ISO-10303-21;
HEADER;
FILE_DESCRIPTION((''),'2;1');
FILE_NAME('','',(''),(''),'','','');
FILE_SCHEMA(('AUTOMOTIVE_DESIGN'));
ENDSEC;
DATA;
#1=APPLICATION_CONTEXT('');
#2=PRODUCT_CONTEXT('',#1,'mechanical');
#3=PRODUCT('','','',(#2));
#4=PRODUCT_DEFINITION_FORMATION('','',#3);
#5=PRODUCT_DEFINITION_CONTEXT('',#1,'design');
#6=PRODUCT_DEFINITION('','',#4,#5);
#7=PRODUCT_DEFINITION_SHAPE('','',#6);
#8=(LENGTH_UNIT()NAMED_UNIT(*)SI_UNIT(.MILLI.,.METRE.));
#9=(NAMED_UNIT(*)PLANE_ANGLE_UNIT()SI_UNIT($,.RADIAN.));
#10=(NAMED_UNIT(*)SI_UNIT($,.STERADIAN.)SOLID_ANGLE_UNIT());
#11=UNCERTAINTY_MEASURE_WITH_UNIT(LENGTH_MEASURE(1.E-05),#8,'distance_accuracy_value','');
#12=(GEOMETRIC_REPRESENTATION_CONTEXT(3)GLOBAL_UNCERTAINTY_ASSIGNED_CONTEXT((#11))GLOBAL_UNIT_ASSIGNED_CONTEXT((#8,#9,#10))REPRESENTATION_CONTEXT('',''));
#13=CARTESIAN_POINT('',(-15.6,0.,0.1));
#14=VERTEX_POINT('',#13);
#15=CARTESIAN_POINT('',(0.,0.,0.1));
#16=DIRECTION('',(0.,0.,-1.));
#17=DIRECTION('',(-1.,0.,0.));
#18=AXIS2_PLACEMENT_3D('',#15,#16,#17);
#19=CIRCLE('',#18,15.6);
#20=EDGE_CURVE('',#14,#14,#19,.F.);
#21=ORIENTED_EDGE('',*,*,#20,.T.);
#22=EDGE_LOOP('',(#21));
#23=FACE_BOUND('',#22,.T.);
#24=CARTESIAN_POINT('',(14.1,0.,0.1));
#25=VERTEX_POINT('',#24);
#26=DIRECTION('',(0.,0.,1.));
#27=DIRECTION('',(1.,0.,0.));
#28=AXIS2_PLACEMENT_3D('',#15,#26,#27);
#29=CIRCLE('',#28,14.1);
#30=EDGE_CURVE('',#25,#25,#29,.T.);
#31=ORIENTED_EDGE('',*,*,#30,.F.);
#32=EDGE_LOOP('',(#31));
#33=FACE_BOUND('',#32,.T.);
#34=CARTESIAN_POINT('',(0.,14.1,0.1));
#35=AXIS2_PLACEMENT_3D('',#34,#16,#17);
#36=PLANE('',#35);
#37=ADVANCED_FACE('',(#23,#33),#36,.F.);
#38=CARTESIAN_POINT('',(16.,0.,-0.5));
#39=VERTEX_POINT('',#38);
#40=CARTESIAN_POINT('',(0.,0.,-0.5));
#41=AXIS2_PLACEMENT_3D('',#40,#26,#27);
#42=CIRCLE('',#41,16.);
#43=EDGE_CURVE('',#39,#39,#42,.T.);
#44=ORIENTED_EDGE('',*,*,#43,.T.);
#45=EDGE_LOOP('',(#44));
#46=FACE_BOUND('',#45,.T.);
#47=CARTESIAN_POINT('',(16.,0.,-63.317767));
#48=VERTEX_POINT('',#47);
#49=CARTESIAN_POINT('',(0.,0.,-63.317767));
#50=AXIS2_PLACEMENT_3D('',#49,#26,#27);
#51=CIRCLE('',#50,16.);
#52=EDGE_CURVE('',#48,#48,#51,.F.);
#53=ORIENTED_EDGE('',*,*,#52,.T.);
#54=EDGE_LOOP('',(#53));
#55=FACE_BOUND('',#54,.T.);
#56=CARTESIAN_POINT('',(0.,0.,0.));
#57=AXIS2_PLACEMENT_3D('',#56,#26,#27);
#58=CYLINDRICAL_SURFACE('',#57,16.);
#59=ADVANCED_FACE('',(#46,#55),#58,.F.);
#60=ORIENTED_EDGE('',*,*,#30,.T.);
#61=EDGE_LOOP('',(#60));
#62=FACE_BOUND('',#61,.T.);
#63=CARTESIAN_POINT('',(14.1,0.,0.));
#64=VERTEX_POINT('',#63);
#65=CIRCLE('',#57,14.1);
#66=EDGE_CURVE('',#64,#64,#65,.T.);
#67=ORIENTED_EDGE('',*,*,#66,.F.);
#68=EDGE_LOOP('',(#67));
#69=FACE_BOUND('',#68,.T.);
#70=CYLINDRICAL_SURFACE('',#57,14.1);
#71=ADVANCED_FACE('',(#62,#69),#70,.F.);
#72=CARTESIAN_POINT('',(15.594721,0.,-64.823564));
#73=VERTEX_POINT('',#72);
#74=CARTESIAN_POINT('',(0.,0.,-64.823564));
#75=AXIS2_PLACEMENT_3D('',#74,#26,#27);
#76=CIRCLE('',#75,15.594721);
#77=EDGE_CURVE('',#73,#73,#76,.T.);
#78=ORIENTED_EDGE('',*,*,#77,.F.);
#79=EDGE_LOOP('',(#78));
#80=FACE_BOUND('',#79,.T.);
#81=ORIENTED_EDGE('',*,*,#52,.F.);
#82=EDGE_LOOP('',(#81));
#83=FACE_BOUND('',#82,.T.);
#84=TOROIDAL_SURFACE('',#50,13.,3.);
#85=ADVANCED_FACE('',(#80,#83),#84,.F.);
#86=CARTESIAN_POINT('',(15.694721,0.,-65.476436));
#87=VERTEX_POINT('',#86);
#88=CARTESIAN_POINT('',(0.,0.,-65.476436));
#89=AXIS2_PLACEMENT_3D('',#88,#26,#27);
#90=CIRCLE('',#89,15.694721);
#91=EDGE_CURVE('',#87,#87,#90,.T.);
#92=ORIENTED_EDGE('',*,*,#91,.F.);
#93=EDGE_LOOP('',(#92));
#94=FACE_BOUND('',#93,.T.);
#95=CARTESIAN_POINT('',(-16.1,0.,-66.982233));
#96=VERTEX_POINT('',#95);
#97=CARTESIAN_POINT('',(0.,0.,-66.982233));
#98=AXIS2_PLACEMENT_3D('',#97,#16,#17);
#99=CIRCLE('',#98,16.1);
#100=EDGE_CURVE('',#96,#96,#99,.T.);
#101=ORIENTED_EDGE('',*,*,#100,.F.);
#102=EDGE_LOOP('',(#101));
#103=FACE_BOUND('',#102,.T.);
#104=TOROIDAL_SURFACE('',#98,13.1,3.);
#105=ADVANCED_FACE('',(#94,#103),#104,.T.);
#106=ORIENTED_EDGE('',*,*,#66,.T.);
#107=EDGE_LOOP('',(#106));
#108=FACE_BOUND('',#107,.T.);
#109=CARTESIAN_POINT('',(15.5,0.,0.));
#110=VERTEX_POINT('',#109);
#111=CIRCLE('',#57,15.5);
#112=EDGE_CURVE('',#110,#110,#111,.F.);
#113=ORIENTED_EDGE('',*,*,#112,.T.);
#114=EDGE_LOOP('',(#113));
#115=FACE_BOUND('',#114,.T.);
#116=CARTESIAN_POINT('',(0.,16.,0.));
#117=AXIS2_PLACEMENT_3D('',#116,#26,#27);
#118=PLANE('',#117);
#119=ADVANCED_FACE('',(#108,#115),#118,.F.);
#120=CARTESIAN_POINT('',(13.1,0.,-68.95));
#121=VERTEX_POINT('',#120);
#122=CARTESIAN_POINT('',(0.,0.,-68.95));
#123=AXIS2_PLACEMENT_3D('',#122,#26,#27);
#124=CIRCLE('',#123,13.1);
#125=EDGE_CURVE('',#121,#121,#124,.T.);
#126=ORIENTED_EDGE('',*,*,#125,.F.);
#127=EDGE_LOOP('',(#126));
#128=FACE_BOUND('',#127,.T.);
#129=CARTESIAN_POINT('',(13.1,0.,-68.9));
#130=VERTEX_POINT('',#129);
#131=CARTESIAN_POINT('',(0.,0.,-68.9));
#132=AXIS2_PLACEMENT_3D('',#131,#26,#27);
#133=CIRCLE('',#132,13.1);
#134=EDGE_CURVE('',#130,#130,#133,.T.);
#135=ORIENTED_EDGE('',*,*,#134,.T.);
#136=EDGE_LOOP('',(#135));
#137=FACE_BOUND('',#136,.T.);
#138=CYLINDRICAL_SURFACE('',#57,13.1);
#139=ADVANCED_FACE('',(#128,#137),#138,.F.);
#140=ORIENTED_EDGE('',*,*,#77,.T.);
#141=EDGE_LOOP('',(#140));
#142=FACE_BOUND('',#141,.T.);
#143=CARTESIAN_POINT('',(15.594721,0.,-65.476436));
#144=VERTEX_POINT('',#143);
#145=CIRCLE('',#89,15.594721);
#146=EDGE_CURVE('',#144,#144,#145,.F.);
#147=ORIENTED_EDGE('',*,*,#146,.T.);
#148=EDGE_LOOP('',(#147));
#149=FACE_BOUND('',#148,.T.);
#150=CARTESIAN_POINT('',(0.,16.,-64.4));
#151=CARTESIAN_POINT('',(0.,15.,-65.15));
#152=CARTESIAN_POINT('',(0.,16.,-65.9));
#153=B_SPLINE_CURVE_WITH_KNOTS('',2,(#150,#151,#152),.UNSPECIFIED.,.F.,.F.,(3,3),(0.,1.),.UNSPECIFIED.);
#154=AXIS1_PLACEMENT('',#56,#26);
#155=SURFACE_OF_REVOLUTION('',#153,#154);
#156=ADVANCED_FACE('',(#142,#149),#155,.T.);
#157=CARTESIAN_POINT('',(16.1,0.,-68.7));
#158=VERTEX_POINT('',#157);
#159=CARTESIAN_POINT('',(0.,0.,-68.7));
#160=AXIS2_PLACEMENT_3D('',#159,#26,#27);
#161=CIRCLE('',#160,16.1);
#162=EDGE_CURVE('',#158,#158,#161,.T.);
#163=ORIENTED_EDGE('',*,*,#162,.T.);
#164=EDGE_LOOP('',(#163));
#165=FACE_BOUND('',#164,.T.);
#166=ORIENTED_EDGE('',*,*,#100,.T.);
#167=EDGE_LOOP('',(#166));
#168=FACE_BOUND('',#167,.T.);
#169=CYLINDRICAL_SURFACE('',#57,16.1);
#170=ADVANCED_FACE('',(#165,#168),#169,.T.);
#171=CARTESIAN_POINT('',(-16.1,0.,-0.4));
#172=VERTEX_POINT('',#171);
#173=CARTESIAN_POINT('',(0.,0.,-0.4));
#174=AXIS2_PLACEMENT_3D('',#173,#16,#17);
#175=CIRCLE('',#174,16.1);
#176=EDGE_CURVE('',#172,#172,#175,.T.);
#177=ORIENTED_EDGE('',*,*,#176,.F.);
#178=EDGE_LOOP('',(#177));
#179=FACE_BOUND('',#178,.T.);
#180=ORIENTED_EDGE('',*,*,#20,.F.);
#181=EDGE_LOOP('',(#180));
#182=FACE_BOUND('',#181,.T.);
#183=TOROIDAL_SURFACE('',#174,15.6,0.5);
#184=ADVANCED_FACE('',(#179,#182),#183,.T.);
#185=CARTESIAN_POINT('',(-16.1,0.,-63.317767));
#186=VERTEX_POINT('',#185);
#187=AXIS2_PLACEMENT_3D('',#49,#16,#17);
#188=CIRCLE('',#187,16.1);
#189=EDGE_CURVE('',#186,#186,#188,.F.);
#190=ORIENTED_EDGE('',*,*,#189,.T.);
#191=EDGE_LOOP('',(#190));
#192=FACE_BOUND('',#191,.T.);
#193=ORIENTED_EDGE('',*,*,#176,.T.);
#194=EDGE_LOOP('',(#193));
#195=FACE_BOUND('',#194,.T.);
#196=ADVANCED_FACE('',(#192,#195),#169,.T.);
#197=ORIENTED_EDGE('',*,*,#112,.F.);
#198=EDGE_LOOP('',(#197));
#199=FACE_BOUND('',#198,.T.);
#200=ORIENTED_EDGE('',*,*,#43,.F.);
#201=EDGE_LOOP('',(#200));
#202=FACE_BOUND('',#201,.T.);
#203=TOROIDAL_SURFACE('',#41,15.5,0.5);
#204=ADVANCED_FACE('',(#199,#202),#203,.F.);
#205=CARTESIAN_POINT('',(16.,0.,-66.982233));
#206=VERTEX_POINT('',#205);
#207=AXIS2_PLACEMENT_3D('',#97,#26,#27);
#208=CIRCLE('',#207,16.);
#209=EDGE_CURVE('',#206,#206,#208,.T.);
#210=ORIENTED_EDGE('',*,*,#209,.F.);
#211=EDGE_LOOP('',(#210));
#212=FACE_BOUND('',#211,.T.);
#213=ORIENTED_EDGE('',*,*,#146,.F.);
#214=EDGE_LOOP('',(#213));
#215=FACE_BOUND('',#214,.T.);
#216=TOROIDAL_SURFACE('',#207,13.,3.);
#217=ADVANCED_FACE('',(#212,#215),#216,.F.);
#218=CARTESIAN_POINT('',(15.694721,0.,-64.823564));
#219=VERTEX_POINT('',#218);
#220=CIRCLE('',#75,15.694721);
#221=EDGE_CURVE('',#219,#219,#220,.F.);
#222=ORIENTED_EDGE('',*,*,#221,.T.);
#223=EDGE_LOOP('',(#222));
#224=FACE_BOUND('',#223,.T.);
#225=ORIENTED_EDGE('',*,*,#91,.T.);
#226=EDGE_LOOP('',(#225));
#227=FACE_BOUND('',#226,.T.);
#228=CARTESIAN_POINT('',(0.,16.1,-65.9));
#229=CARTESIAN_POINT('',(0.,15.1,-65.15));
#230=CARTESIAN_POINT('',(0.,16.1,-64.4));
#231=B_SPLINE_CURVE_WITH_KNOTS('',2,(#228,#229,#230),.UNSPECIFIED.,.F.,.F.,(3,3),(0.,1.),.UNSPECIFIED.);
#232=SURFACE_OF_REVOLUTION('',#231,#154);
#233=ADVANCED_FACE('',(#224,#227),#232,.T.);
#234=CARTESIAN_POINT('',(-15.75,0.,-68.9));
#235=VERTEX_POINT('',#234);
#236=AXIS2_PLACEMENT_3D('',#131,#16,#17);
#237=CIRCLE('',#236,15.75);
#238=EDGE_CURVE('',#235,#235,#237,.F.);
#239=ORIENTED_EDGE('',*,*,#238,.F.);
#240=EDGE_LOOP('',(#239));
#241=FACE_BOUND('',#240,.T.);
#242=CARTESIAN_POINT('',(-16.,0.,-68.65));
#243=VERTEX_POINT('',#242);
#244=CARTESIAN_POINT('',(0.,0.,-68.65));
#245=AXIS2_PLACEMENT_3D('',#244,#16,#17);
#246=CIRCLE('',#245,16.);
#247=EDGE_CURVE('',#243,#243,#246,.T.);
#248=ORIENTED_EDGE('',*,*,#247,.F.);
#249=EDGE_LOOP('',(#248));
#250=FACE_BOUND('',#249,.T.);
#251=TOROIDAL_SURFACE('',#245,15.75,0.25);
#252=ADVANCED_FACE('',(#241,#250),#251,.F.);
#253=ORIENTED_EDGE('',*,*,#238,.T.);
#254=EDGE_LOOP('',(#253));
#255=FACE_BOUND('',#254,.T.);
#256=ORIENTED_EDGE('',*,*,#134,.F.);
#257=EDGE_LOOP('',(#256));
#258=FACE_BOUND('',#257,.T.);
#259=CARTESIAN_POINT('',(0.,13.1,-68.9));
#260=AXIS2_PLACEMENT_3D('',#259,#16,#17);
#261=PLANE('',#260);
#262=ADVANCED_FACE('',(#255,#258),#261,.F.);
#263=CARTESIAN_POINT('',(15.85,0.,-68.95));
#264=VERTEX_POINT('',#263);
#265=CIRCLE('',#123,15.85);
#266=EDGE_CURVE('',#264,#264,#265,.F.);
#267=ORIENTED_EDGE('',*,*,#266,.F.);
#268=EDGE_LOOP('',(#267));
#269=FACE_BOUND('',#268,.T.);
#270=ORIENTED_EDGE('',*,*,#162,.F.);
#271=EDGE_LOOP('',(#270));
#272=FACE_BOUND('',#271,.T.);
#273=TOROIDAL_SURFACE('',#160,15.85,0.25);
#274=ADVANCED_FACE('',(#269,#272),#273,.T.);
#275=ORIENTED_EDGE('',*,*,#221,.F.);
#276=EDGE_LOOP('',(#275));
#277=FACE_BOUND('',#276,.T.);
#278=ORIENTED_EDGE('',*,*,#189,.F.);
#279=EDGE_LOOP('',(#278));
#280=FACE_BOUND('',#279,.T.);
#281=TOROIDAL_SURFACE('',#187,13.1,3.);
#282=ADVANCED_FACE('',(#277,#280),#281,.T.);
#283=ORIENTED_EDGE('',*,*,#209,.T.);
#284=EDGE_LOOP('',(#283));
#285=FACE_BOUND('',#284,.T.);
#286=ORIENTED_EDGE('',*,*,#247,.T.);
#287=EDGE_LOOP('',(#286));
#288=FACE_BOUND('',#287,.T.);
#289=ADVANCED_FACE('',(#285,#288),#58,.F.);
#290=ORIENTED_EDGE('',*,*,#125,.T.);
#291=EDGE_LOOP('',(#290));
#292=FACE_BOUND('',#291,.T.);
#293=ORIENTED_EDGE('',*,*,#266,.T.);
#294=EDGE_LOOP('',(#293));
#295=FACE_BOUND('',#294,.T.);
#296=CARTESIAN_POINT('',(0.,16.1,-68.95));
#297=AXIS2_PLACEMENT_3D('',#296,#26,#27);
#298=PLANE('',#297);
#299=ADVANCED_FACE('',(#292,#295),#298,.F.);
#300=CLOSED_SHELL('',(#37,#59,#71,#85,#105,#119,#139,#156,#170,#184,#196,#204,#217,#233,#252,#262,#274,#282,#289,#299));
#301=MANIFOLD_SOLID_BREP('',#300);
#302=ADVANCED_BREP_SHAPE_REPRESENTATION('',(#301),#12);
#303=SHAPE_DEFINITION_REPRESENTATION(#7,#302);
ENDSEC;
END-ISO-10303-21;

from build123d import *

# Parameters (mm, degrees)
FILLET1_R = 0.25
FILLET2_R = 0.5
FILLET3_R = 3


with BuildPart() as part:
    # Sketch1 → Revolve1 (revolve)
    with BuildSketch(Plane(origin=(0, 0, 0), x_dir=(0, 0, -1), z_dir=(1, 0, 0)), mode=Mode.PRIVATE) as revolve1_sk:
        with BuildLine():
            Line((0, 14.1), (-0.1, 14.1))
            Line((-0.1, 14.1), (-0.1, 16.1))
            Line((-0.1, 16.1), (64.4, 16.1))
            add(Edge.make_bspline(
                [(64.4, 16.1), (65.15, 15.1), (65.9, 16.1)],
                knots=[0, 0, 0, 1, 1, 1], degree=2))
            Line((65.9, 16.1), (68.95, 16.1))
            Line((68.95, 16.1), (68.95, 13.1))
            Line((68.95, 13.1), (68.9, 13.1))
            Line((68.9, 13.1), (68.9, 16))
            Line((68.9, 16), (65.9, 16))
            add(Edge.make_bspline(
                [(64.4, 16), (65.15, 15), (65.9, 16)],
                knots=[0, 0, 0, 1, 1, 1], degree=2))
            Line((64.4, 16), (0, 16))
            Line((0, 16), (0, 14.1))
        make_face()
    revolve(revolve1_sk.sketch.rotate(Axis((0, 0, 0), (0, 0, -1)), 90), axis=Axis((0, 0, 0), (0, 0, -1)))

    # Fillet1
    fillet1_edges = [part.edges().sort_by_distance(p)[0] for p in [
        (-16.1, 0, -68.95),
        (-16, 0, -68.9),
    ]]
    fillet(fillet1_edges, radius=FILLET1_R)

    # Fillet2
    fillet2_edges = [part.edges().sort_by_distance(p)[0] for p in [
        (-16.1, 0, 0.1),
        (-16, 0, 0),
    ]]
    fillet(fillet2_edges, radius=FILLET2_R)

    # Fillet3
    fillet3_edges = [part.edges().sort_by_distance(p)[0] for p in [
        (-16.1, 0, -65.9),
        (-16.1, 0, -64.4),
        (-16, 0, -64.4),
        (-16, 0, -65.9),
    ]]
    fillet(fillet3_edges, radius=FILLET3_R)


solid = part.part
